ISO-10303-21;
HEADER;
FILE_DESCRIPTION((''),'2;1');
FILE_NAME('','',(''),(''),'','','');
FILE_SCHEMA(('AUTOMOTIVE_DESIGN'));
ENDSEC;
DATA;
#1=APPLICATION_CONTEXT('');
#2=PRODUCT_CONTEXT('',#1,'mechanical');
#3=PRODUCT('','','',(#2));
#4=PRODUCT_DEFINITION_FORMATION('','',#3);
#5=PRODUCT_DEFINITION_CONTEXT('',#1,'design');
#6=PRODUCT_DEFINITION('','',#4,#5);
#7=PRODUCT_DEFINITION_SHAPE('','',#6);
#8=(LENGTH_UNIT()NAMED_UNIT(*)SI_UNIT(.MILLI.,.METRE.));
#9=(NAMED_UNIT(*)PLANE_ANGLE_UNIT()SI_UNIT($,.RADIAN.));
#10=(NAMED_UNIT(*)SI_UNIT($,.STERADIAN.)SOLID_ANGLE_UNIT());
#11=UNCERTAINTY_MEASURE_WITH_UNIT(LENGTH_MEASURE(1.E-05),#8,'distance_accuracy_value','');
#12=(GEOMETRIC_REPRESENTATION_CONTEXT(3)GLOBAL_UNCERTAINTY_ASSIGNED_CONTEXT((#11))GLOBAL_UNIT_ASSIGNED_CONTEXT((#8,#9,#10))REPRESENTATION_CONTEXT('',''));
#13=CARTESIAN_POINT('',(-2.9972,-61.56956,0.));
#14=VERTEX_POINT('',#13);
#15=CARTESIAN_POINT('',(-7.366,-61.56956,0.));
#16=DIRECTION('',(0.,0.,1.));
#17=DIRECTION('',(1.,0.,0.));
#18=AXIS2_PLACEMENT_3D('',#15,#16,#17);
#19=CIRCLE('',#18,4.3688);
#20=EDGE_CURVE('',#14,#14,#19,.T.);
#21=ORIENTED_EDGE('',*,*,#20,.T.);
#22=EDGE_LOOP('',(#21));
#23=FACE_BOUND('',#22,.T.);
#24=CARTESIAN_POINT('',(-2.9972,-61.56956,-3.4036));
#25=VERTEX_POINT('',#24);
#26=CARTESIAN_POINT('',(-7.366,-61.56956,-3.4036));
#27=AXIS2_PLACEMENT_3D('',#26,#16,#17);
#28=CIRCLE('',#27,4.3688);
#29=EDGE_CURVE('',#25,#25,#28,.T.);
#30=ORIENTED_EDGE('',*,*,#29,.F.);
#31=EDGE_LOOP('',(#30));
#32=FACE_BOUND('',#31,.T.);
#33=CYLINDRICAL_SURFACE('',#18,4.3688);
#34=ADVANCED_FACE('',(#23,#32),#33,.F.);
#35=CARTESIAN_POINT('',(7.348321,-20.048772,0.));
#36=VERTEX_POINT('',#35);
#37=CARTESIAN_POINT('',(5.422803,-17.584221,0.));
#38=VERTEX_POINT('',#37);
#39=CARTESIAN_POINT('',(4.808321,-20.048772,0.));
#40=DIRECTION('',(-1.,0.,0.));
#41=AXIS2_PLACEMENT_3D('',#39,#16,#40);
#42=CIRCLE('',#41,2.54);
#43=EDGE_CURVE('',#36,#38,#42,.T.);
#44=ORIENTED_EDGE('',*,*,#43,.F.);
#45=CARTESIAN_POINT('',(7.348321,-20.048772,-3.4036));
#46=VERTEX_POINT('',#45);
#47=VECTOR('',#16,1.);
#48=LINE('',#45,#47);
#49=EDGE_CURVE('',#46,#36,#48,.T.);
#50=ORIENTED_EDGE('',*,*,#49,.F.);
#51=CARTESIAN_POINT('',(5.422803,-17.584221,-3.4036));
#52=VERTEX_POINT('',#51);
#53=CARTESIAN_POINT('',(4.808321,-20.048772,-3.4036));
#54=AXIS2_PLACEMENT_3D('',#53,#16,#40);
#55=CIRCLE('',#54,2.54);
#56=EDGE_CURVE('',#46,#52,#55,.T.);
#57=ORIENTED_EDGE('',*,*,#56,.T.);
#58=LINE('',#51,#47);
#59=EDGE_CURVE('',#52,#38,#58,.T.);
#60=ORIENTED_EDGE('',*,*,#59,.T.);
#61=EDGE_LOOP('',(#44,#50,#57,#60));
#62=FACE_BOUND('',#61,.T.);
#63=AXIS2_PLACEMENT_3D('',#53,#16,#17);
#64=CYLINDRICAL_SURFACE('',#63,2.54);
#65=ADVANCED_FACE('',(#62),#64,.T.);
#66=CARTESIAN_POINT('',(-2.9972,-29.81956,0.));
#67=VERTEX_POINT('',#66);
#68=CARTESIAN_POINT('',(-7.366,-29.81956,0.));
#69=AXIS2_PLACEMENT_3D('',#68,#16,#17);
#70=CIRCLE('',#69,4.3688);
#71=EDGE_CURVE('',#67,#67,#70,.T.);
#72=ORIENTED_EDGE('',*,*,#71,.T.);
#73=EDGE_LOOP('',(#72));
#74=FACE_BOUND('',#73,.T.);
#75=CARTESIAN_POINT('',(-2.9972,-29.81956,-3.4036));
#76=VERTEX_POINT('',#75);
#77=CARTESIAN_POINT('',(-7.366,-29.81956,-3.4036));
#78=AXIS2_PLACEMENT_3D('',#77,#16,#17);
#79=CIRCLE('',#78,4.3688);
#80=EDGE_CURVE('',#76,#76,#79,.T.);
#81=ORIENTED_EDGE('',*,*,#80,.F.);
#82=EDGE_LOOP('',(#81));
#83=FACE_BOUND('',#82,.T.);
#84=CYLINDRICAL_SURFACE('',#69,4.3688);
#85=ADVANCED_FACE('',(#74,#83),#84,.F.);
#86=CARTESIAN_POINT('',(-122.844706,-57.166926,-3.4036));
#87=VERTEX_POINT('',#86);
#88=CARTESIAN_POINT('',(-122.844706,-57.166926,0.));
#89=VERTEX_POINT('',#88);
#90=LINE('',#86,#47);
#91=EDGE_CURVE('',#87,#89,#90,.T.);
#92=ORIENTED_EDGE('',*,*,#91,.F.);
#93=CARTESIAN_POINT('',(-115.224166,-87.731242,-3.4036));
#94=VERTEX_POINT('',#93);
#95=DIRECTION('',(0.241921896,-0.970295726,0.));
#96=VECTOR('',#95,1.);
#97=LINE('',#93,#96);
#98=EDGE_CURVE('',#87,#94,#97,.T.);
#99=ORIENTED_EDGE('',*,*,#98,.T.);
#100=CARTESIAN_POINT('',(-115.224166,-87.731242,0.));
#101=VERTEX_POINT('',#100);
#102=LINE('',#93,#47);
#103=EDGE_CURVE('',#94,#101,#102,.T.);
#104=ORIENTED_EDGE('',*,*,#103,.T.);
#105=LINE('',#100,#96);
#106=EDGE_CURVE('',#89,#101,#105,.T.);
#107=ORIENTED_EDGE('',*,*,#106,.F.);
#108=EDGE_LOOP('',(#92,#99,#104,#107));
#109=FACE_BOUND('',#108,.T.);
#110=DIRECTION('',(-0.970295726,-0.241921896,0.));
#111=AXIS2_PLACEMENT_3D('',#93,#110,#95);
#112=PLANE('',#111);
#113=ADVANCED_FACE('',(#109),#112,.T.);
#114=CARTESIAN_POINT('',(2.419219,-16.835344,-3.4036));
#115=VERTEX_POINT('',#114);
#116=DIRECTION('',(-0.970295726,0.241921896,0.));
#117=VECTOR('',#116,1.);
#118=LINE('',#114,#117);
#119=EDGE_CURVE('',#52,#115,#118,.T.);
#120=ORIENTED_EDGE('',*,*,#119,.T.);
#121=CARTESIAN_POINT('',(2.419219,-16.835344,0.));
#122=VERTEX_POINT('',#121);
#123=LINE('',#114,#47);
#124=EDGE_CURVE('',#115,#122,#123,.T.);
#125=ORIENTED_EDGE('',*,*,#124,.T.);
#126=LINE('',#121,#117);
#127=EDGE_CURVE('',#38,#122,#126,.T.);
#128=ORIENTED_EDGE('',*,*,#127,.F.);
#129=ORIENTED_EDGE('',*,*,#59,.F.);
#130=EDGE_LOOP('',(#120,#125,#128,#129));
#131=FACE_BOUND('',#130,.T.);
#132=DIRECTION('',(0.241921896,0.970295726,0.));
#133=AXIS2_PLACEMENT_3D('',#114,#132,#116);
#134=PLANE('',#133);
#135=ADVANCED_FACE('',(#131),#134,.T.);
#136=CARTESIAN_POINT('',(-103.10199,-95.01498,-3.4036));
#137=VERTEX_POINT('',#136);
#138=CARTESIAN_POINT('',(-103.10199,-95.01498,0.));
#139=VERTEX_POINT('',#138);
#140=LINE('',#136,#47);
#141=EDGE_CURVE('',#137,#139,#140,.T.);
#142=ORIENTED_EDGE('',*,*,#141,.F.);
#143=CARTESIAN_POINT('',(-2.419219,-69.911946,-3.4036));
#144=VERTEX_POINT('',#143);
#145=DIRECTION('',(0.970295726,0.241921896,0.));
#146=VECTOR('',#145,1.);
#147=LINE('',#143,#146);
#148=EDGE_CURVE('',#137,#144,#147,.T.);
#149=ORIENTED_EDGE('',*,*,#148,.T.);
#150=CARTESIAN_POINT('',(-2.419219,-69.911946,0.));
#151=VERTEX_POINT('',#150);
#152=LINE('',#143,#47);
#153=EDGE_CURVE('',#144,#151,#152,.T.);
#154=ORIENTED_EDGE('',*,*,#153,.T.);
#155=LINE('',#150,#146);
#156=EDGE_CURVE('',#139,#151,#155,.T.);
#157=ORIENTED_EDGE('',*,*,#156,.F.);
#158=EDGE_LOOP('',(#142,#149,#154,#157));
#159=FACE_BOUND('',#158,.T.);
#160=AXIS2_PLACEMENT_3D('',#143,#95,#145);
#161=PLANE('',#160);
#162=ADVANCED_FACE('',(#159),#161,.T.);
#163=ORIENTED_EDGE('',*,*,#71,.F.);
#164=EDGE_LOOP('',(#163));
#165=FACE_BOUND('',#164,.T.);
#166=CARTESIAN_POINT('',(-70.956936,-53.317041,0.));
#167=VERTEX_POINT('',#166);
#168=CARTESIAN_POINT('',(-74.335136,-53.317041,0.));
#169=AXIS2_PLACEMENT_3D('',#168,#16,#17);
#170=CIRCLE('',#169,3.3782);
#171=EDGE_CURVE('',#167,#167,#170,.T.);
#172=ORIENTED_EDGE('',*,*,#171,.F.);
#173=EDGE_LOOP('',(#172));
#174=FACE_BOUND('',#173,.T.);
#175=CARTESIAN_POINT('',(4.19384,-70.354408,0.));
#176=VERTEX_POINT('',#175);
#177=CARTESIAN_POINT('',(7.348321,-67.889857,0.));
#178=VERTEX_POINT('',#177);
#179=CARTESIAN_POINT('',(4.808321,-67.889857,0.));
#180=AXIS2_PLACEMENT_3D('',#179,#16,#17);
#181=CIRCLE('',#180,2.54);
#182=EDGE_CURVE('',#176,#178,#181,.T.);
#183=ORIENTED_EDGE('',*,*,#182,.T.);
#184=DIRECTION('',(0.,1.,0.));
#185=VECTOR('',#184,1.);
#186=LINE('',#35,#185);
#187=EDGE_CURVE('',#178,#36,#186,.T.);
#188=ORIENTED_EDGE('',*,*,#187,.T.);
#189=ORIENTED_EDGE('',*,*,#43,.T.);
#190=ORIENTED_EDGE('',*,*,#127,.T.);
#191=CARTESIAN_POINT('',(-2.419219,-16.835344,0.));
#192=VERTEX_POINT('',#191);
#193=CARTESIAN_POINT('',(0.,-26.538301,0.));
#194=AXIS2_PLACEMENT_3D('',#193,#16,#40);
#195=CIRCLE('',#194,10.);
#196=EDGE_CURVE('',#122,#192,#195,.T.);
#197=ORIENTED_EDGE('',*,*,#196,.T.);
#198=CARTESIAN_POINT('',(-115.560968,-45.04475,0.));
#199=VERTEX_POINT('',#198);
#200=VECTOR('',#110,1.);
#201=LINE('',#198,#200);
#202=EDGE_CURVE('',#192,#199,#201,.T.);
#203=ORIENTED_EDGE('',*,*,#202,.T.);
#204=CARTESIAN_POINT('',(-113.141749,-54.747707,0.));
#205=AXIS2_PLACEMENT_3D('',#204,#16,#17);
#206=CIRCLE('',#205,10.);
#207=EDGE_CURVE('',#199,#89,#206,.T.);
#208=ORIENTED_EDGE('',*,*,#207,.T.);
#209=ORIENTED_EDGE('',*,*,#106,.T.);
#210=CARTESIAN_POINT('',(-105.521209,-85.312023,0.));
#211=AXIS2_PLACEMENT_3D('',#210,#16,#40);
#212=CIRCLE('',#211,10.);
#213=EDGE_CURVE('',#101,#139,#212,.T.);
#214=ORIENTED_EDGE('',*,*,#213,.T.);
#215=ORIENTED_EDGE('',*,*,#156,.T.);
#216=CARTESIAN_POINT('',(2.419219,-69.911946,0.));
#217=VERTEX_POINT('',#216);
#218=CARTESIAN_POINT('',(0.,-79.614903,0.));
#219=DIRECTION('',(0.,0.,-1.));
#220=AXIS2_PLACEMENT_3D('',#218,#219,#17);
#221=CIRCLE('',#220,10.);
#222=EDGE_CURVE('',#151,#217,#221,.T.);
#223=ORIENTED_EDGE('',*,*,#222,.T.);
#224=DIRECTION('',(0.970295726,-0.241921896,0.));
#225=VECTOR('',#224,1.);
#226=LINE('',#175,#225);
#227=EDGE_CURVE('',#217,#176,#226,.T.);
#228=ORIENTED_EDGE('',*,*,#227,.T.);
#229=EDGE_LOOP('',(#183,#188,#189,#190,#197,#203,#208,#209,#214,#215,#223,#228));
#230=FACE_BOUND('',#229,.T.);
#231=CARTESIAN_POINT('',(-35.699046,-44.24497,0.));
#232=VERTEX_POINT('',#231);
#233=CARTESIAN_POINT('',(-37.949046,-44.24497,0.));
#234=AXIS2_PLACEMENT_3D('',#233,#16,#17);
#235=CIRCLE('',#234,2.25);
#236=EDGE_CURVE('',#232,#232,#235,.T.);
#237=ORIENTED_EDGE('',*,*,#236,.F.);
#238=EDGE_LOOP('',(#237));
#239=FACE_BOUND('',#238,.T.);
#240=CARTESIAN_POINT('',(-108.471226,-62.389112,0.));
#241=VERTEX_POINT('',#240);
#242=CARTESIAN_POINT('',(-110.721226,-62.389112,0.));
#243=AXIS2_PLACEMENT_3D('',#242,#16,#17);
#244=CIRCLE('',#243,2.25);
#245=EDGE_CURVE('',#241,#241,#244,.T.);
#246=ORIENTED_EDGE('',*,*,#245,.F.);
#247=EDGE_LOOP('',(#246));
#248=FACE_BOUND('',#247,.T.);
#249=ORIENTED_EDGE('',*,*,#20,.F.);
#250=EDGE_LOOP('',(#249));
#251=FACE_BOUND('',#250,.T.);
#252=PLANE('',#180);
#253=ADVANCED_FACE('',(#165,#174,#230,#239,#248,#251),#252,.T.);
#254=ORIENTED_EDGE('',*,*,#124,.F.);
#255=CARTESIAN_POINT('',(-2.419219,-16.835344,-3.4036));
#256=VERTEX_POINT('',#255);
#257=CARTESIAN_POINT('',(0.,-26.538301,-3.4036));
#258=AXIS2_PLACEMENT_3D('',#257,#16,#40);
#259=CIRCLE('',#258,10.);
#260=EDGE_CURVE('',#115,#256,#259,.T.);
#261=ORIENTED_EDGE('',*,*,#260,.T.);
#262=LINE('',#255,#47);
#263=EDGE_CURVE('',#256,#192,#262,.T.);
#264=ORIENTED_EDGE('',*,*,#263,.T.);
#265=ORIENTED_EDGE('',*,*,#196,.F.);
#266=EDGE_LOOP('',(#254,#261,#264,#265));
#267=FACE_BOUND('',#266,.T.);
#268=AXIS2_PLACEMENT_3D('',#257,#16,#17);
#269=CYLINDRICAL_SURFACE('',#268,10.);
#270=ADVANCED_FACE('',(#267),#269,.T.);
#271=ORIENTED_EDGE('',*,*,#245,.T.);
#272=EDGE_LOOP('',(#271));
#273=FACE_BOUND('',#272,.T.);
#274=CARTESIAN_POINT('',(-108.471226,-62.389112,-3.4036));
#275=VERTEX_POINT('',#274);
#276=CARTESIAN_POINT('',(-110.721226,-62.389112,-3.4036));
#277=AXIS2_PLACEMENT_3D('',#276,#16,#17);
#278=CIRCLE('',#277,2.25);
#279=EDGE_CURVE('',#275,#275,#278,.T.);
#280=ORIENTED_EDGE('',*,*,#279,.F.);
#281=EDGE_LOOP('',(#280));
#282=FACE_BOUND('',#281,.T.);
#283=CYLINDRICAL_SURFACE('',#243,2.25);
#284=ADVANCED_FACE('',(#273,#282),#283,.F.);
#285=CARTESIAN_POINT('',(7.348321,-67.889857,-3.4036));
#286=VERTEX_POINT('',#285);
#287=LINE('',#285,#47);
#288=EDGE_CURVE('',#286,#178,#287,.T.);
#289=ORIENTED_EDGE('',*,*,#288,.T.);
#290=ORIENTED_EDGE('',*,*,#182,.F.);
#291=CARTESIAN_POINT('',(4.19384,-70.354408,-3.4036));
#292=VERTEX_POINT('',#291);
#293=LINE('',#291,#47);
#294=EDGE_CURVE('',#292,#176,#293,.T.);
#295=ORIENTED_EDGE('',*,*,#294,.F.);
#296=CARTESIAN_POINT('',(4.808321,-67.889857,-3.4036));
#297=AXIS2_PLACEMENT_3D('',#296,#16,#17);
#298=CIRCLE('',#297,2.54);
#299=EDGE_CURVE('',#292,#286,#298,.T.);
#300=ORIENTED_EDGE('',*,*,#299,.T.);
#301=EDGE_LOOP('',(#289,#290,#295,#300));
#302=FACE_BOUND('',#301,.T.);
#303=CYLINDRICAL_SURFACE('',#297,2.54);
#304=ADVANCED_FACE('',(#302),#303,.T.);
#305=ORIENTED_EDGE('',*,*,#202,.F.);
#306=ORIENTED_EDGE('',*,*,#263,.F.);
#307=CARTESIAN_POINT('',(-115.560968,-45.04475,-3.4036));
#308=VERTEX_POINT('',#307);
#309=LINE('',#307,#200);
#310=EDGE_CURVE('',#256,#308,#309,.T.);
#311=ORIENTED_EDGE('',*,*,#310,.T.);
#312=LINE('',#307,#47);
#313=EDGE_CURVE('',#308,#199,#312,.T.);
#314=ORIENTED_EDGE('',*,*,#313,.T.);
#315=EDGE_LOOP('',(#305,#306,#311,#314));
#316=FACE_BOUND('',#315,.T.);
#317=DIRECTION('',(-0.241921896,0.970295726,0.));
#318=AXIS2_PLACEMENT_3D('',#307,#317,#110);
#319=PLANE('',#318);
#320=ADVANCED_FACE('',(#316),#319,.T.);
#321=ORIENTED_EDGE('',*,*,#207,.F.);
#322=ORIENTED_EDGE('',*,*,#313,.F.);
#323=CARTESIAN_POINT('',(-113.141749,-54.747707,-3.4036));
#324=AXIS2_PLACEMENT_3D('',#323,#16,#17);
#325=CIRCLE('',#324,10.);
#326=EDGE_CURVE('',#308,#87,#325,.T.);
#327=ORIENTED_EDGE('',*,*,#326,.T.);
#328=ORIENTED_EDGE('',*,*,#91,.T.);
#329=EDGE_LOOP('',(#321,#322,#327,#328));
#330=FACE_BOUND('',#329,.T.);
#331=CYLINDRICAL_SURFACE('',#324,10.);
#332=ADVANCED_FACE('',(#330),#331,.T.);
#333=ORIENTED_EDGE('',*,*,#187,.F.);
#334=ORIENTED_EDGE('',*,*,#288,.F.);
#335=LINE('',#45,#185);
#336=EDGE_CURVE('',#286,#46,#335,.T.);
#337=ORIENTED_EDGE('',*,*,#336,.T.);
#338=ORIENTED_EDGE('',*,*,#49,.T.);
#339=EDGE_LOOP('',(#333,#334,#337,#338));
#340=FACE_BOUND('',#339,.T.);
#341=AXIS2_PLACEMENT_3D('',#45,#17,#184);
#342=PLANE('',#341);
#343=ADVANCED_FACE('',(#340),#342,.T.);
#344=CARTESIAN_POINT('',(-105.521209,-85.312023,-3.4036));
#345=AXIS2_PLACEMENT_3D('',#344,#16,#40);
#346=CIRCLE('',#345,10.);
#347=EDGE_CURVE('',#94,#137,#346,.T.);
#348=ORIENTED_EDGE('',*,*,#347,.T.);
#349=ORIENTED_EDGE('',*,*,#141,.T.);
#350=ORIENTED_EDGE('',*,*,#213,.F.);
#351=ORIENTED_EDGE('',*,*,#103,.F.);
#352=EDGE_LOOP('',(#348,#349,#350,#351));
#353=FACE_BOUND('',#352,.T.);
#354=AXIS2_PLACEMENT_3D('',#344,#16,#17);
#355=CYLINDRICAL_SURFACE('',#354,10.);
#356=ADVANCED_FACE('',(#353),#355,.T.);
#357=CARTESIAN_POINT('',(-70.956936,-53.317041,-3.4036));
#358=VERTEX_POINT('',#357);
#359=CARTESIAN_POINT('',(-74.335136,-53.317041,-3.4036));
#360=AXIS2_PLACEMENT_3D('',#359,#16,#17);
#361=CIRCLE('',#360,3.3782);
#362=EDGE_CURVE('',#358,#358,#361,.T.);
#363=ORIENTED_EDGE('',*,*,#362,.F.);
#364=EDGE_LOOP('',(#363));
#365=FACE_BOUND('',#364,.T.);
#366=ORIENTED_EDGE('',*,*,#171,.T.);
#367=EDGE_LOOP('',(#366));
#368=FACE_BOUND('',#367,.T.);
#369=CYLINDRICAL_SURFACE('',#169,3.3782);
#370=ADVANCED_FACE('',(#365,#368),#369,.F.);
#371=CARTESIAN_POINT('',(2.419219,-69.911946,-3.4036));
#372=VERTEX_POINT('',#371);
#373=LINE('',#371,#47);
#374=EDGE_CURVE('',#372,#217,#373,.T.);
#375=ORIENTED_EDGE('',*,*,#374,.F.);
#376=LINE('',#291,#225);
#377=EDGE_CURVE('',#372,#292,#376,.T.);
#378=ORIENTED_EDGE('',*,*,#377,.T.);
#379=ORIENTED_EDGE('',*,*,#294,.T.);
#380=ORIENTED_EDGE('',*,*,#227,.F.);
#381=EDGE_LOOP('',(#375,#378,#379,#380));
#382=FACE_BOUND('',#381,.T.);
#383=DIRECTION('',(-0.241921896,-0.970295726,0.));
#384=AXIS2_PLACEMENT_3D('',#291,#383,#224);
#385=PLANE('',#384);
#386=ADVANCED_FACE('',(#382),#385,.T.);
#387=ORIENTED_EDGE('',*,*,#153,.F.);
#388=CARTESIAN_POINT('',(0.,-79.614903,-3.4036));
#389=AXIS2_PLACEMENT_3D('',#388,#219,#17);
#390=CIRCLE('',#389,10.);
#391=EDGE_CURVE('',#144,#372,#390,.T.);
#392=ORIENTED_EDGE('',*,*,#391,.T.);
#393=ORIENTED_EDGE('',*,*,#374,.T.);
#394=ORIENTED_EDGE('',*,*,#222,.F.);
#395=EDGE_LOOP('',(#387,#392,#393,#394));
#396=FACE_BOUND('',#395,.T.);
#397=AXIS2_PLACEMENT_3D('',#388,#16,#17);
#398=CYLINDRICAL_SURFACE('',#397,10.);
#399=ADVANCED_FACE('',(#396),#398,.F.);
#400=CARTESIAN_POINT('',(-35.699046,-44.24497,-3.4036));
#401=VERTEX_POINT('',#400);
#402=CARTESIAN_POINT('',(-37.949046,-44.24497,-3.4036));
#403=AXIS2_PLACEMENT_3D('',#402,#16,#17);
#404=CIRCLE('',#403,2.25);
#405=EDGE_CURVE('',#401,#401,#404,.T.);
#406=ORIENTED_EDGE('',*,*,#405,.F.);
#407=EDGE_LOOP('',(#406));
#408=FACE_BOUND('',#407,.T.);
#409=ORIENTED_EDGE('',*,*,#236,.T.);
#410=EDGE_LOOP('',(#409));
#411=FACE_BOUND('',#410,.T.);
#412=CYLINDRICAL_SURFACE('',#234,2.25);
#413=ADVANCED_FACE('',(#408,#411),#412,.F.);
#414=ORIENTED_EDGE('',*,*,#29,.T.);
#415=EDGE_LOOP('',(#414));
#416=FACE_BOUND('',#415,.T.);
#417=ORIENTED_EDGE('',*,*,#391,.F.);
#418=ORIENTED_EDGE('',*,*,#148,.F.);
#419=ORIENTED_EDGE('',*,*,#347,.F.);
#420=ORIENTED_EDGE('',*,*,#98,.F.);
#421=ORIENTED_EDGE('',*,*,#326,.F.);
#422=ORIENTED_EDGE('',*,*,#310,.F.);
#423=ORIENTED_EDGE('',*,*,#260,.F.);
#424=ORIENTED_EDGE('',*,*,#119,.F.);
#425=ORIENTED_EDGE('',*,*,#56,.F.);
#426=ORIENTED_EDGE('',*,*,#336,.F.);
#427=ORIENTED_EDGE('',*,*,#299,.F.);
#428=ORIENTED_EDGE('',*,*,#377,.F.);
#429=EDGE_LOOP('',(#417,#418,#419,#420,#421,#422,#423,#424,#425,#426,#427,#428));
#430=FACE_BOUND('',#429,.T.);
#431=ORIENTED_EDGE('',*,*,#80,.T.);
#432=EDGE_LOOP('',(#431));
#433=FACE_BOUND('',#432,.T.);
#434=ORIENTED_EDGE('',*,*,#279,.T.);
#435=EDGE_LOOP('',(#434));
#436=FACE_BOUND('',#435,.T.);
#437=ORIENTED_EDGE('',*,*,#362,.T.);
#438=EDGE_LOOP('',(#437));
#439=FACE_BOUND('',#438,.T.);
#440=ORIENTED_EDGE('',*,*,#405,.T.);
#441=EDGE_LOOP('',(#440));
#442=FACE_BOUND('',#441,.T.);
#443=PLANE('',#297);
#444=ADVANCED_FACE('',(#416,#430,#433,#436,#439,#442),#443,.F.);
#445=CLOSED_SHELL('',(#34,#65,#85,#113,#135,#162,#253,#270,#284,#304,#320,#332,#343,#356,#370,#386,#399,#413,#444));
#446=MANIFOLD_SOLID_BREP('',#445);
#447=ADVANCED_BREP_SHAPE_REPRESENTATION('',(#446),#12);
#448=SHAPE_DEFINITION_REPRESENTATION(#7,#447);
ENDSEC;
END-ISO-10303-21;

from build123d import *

# Parameters (mm, degrees)
BOSS_EXTRUDE1_DEPTH             = 3.4036
F_1_4_CLEARANCE_HOLE1_D         = 6.7564
M4_CLEARANCE_HOLE1_D            = 4.5
HOLE_FOR_1_4_300_SC_NUTS_SP_1_D = 8.7376


with BuildPart() as part:
    # Sketch1 → Boss-Extrude1 (new body)
    with BuildSketch(Plane.XY):
        with BuildLine():
            Line((7.348321245, -20.048772414), (7.348321245, -67.889857088))
            ThreePointArc((7.348321245, -67.889857088), (6.372101393, -69.891404403), (4.193839631, -70.354408233))
            Line((4.193839631, -70.354408233), (2.419218956, -69.911945605))
            ThreePointArc((2.419218956, -69.911945605), (0, -69.614902867), (-2.419218956, -69.911945605))
            Line((-2.419218956, -69.911945605), (-103.101990119, -95.014979859))
            ThreePointArc((-103.101990119, -95.014979859), (-110.671589825, -93.883695604), (-115.224166338, -87.731241553))
            Line((-115.224166338, -87.731241553), (-122.84470605, -57.166926175))
            ThreePointArc((-122.84470605, -57.166926175), (-121.713421794, -49.59732647), (-115.560967743, -45.044749956))
            Line((-115.560967743, -45.044749956), (-2.419218956, -16.835343693))
            ThreePointArc((-2.419218956, -16.835343693), (0, -16.538300956), (2.419218956, -16.835343693))
            Line((2.419218956, -16.835343693), (5.42280286, -17.584221269))
            ThreePointArc((5.42280286, -17.584221269), (6.80986856, -18.484992267), (7.348321245, -20.048772414))
        make_face()
    extrude(amount=-BOSS_EXTRUDE1_DEPTH)

    # 1/4 Clearance Hole1 (through all)
    with Locations(Plane.XY):
        with Locations((-74.335136024, -53.317040996)):
            Hole(F_1_4_CLEARANCE_HOLE1_D / 2)

    # M4 Clearance Hole1 (through all)
    with Locations(Plane.XY):
        with Locations((-110.721225759, -62.389112081), (-37.949046288, -44.244969911)):
            Hole(M4_CLEARANCE_HOLE1_D / 2)

    # Hole for 1/4 300® SC Nuts (SP)1 (through all)
    with Locations(Plane.XY):
        with Locations((-7.366, -61.569560235), (-7.366, -29.819560235)):
            Hole(HOLE_FOR_1_4_300_SC_NUTS_SP_1_D / 2)


solid = part.part
